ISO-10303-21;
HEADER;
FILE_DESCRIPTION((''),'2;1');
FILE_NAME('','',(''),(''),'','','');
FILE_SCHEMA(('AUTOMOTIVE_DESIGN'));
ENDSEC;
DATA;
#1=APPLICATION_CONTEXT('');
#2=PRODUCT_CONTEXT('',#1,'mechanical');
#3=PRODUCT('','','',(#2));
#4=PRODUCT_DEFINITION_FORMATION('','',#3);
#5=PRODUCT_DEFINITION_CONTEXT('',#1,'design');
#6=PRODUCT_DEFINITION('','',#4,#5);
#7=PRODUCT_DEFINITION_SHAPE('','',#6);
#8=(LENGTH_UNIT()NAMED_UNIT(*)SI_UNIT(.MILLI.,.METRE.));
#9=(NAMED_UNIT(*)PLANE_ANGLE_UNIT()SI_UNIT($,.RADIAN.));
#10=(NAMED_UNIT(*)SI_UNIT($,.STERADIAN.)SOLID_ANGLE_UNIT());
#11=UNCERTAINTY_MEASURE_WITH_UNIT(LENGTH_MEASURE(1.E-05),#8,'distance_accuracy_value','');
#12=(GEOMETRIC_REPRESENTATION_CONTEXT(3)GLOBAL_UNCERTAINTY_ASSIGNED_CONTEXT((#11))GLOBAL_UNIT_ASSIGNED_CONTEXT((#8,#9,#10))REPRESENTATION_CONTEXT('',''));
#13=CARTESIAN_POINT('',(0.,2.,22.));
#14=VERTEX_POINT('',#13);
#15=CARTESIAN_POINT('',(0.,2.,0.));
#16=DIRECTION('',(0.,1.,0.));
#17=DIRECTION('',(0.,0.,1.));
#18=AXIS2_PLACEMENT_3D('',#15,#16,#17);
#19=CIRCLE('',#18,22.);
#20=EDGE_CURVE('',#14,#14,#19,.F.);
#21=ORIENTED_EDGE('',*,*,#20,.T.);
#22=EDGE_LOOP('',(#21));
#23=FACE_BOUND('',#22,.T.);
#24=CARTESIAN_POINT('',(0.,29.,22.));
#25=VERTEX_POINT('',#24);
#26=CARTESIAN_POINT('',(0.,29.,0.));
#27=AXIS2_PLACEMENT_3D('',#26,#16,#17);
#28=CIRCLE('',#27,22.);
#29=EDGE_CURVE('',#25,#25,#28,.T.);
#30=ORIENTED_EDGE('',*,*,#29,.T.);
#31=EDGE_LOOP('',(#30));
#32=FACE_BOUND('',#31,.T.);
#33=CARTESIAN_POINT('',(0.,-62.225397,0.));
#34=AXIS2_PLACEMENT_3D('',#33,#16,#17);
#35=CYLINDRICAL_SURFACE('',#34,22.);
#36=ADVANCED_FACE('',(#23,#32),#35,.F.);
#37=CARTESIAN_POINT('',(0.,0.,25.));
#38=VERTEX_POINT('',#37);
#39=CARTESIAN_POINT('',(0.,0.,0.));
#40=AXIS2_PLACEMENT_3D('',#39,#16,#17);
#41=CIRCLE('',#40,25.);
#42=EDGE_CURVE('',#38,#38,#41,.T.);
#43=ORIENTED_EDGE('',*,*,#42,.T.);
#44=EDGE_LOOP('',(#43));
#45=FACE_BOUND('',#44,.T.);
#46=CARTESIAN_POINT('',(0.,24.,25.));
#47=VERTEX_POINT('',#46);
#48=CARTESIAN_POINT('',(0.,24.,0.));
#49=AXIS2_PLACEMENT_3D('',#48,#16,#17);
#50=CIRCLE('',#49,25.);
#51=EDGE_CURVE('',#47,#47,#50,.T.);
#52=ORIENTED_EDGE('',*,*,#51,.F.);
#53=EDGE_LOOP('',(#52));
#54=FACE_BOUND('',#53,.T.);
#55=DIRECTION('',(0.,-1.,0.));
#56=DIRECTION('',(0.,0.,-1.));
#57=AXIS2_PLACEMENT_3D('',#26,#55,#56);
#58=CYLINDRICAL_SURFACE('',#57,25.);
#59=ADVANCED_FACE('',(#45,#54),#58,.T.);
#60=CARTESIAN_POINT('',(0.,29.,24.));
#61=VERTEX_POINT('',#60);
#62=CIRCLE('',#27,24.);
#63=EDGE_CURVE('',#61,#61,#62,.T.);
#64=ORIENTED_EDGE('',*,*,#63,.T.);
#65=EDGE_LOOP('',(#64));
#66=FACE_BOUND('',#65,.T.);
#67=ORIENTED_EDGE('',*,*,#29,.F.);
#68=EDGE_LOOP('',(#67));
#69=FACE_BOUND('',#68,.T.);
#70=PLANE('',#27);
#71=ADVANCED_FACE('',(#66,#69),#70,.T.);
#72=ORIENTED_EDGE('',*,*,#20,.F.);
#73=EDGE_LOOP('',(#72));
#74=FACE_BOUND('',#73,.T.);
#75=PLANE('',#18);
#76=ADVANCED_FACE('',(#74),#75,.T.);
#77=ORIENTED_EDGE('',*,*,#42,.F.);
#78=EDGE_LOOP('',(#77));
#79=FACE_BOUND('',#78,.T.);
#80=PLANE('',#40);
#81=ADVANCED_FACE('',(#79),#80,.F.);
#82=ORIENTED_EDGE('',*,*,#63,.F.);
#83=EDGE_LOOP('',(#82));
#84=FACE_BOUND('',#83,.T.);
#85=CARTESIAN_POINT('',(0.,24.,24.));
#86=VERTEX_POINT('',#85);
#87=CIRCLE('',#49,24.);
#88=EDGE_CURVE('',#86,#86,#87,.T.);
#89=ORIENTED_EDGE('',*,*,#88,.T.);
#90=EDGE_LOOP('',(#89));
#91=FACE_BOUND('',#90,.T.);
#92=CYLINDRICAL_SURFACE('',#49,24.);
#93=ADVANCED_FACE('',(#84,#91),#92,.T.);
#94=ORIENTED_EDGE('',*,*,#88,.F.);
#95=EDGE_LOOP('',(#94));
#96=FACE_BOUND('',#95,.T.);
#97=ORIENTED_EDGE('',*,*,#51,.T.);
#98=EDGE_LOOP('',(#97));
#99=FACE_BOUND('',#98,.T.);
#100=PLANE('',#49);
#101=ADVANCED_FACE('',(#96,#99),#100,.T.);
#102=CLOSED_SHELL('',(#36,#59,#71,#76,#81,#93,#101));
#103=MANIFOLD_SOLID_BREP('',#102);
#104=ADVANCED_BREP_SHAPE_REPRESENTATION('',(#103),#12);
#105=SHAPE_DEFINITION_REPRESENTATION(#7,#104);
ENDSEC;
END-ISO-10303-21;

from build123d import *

# Parameters (mm, degrees)
SKETCH1_R           = 25
BOSS_EXTRUDE1_DEPTH = 29
CUT_EXTRUDE1_START  = -5
SKETCH2_R           = 25
SKETCH2_R_2         = 24
CUT_EXTRUDE1_DEPTH  = 5
SKETCH3_R           = 22
CUT_EXTRUDE2_DEPTH  = 27


with BuildPart() as part:
    # Sketch1 → Boss-Extrude1 (new body)
    with BuildSketch(Plane(origin=(0, 0, 0), x_dir=(1, 0, 0), z_dir=(0, 1, 0))):
        with Locations(Location((0, 0, 0), (0, 0, 270))):
            Circle(SKETCH1_R)
    extrude(amount=BOSS_EXTRUDE1_DEPTH)

    # Sketch2 → Cut-Extrude1 (cut)
    with BuildSketch(Plane(origin=(0, 29, 0), x_dir=(1, 0, 0), z_dir=(0, 1, 0)).offset(CUT_EXTRUDE1_START)):
        with Locations(Location((0, 0, 0), (0, 0, 270))):
            Circle(SKETCH2_R)
        with Locations(Location((0, 0, 0), (0, 0, 270))):
            Circle(SKETCH2_R_2, mode=Mode.SUBTRACT)
    extrude(amount=CUT_EXTRUDE1_DEPTH, mode=Mode.SUBTRACT)

    # Sketch3 → Cut-Extrude2 (cut)
    with BuildSketch(Plane(origin=(0, 29, 0), x_dir=(1, 0, 0), z_dir=(0, 1, 0))):
        with Locations(Location((0, 0, 0), (0, 0, 270))):
            Circle(SKETCH3_R)
    extrude(amount=-CUT_EXTRUDE2_DEPTH, mode=Mode.SUBTRACT)


solid = part.part
